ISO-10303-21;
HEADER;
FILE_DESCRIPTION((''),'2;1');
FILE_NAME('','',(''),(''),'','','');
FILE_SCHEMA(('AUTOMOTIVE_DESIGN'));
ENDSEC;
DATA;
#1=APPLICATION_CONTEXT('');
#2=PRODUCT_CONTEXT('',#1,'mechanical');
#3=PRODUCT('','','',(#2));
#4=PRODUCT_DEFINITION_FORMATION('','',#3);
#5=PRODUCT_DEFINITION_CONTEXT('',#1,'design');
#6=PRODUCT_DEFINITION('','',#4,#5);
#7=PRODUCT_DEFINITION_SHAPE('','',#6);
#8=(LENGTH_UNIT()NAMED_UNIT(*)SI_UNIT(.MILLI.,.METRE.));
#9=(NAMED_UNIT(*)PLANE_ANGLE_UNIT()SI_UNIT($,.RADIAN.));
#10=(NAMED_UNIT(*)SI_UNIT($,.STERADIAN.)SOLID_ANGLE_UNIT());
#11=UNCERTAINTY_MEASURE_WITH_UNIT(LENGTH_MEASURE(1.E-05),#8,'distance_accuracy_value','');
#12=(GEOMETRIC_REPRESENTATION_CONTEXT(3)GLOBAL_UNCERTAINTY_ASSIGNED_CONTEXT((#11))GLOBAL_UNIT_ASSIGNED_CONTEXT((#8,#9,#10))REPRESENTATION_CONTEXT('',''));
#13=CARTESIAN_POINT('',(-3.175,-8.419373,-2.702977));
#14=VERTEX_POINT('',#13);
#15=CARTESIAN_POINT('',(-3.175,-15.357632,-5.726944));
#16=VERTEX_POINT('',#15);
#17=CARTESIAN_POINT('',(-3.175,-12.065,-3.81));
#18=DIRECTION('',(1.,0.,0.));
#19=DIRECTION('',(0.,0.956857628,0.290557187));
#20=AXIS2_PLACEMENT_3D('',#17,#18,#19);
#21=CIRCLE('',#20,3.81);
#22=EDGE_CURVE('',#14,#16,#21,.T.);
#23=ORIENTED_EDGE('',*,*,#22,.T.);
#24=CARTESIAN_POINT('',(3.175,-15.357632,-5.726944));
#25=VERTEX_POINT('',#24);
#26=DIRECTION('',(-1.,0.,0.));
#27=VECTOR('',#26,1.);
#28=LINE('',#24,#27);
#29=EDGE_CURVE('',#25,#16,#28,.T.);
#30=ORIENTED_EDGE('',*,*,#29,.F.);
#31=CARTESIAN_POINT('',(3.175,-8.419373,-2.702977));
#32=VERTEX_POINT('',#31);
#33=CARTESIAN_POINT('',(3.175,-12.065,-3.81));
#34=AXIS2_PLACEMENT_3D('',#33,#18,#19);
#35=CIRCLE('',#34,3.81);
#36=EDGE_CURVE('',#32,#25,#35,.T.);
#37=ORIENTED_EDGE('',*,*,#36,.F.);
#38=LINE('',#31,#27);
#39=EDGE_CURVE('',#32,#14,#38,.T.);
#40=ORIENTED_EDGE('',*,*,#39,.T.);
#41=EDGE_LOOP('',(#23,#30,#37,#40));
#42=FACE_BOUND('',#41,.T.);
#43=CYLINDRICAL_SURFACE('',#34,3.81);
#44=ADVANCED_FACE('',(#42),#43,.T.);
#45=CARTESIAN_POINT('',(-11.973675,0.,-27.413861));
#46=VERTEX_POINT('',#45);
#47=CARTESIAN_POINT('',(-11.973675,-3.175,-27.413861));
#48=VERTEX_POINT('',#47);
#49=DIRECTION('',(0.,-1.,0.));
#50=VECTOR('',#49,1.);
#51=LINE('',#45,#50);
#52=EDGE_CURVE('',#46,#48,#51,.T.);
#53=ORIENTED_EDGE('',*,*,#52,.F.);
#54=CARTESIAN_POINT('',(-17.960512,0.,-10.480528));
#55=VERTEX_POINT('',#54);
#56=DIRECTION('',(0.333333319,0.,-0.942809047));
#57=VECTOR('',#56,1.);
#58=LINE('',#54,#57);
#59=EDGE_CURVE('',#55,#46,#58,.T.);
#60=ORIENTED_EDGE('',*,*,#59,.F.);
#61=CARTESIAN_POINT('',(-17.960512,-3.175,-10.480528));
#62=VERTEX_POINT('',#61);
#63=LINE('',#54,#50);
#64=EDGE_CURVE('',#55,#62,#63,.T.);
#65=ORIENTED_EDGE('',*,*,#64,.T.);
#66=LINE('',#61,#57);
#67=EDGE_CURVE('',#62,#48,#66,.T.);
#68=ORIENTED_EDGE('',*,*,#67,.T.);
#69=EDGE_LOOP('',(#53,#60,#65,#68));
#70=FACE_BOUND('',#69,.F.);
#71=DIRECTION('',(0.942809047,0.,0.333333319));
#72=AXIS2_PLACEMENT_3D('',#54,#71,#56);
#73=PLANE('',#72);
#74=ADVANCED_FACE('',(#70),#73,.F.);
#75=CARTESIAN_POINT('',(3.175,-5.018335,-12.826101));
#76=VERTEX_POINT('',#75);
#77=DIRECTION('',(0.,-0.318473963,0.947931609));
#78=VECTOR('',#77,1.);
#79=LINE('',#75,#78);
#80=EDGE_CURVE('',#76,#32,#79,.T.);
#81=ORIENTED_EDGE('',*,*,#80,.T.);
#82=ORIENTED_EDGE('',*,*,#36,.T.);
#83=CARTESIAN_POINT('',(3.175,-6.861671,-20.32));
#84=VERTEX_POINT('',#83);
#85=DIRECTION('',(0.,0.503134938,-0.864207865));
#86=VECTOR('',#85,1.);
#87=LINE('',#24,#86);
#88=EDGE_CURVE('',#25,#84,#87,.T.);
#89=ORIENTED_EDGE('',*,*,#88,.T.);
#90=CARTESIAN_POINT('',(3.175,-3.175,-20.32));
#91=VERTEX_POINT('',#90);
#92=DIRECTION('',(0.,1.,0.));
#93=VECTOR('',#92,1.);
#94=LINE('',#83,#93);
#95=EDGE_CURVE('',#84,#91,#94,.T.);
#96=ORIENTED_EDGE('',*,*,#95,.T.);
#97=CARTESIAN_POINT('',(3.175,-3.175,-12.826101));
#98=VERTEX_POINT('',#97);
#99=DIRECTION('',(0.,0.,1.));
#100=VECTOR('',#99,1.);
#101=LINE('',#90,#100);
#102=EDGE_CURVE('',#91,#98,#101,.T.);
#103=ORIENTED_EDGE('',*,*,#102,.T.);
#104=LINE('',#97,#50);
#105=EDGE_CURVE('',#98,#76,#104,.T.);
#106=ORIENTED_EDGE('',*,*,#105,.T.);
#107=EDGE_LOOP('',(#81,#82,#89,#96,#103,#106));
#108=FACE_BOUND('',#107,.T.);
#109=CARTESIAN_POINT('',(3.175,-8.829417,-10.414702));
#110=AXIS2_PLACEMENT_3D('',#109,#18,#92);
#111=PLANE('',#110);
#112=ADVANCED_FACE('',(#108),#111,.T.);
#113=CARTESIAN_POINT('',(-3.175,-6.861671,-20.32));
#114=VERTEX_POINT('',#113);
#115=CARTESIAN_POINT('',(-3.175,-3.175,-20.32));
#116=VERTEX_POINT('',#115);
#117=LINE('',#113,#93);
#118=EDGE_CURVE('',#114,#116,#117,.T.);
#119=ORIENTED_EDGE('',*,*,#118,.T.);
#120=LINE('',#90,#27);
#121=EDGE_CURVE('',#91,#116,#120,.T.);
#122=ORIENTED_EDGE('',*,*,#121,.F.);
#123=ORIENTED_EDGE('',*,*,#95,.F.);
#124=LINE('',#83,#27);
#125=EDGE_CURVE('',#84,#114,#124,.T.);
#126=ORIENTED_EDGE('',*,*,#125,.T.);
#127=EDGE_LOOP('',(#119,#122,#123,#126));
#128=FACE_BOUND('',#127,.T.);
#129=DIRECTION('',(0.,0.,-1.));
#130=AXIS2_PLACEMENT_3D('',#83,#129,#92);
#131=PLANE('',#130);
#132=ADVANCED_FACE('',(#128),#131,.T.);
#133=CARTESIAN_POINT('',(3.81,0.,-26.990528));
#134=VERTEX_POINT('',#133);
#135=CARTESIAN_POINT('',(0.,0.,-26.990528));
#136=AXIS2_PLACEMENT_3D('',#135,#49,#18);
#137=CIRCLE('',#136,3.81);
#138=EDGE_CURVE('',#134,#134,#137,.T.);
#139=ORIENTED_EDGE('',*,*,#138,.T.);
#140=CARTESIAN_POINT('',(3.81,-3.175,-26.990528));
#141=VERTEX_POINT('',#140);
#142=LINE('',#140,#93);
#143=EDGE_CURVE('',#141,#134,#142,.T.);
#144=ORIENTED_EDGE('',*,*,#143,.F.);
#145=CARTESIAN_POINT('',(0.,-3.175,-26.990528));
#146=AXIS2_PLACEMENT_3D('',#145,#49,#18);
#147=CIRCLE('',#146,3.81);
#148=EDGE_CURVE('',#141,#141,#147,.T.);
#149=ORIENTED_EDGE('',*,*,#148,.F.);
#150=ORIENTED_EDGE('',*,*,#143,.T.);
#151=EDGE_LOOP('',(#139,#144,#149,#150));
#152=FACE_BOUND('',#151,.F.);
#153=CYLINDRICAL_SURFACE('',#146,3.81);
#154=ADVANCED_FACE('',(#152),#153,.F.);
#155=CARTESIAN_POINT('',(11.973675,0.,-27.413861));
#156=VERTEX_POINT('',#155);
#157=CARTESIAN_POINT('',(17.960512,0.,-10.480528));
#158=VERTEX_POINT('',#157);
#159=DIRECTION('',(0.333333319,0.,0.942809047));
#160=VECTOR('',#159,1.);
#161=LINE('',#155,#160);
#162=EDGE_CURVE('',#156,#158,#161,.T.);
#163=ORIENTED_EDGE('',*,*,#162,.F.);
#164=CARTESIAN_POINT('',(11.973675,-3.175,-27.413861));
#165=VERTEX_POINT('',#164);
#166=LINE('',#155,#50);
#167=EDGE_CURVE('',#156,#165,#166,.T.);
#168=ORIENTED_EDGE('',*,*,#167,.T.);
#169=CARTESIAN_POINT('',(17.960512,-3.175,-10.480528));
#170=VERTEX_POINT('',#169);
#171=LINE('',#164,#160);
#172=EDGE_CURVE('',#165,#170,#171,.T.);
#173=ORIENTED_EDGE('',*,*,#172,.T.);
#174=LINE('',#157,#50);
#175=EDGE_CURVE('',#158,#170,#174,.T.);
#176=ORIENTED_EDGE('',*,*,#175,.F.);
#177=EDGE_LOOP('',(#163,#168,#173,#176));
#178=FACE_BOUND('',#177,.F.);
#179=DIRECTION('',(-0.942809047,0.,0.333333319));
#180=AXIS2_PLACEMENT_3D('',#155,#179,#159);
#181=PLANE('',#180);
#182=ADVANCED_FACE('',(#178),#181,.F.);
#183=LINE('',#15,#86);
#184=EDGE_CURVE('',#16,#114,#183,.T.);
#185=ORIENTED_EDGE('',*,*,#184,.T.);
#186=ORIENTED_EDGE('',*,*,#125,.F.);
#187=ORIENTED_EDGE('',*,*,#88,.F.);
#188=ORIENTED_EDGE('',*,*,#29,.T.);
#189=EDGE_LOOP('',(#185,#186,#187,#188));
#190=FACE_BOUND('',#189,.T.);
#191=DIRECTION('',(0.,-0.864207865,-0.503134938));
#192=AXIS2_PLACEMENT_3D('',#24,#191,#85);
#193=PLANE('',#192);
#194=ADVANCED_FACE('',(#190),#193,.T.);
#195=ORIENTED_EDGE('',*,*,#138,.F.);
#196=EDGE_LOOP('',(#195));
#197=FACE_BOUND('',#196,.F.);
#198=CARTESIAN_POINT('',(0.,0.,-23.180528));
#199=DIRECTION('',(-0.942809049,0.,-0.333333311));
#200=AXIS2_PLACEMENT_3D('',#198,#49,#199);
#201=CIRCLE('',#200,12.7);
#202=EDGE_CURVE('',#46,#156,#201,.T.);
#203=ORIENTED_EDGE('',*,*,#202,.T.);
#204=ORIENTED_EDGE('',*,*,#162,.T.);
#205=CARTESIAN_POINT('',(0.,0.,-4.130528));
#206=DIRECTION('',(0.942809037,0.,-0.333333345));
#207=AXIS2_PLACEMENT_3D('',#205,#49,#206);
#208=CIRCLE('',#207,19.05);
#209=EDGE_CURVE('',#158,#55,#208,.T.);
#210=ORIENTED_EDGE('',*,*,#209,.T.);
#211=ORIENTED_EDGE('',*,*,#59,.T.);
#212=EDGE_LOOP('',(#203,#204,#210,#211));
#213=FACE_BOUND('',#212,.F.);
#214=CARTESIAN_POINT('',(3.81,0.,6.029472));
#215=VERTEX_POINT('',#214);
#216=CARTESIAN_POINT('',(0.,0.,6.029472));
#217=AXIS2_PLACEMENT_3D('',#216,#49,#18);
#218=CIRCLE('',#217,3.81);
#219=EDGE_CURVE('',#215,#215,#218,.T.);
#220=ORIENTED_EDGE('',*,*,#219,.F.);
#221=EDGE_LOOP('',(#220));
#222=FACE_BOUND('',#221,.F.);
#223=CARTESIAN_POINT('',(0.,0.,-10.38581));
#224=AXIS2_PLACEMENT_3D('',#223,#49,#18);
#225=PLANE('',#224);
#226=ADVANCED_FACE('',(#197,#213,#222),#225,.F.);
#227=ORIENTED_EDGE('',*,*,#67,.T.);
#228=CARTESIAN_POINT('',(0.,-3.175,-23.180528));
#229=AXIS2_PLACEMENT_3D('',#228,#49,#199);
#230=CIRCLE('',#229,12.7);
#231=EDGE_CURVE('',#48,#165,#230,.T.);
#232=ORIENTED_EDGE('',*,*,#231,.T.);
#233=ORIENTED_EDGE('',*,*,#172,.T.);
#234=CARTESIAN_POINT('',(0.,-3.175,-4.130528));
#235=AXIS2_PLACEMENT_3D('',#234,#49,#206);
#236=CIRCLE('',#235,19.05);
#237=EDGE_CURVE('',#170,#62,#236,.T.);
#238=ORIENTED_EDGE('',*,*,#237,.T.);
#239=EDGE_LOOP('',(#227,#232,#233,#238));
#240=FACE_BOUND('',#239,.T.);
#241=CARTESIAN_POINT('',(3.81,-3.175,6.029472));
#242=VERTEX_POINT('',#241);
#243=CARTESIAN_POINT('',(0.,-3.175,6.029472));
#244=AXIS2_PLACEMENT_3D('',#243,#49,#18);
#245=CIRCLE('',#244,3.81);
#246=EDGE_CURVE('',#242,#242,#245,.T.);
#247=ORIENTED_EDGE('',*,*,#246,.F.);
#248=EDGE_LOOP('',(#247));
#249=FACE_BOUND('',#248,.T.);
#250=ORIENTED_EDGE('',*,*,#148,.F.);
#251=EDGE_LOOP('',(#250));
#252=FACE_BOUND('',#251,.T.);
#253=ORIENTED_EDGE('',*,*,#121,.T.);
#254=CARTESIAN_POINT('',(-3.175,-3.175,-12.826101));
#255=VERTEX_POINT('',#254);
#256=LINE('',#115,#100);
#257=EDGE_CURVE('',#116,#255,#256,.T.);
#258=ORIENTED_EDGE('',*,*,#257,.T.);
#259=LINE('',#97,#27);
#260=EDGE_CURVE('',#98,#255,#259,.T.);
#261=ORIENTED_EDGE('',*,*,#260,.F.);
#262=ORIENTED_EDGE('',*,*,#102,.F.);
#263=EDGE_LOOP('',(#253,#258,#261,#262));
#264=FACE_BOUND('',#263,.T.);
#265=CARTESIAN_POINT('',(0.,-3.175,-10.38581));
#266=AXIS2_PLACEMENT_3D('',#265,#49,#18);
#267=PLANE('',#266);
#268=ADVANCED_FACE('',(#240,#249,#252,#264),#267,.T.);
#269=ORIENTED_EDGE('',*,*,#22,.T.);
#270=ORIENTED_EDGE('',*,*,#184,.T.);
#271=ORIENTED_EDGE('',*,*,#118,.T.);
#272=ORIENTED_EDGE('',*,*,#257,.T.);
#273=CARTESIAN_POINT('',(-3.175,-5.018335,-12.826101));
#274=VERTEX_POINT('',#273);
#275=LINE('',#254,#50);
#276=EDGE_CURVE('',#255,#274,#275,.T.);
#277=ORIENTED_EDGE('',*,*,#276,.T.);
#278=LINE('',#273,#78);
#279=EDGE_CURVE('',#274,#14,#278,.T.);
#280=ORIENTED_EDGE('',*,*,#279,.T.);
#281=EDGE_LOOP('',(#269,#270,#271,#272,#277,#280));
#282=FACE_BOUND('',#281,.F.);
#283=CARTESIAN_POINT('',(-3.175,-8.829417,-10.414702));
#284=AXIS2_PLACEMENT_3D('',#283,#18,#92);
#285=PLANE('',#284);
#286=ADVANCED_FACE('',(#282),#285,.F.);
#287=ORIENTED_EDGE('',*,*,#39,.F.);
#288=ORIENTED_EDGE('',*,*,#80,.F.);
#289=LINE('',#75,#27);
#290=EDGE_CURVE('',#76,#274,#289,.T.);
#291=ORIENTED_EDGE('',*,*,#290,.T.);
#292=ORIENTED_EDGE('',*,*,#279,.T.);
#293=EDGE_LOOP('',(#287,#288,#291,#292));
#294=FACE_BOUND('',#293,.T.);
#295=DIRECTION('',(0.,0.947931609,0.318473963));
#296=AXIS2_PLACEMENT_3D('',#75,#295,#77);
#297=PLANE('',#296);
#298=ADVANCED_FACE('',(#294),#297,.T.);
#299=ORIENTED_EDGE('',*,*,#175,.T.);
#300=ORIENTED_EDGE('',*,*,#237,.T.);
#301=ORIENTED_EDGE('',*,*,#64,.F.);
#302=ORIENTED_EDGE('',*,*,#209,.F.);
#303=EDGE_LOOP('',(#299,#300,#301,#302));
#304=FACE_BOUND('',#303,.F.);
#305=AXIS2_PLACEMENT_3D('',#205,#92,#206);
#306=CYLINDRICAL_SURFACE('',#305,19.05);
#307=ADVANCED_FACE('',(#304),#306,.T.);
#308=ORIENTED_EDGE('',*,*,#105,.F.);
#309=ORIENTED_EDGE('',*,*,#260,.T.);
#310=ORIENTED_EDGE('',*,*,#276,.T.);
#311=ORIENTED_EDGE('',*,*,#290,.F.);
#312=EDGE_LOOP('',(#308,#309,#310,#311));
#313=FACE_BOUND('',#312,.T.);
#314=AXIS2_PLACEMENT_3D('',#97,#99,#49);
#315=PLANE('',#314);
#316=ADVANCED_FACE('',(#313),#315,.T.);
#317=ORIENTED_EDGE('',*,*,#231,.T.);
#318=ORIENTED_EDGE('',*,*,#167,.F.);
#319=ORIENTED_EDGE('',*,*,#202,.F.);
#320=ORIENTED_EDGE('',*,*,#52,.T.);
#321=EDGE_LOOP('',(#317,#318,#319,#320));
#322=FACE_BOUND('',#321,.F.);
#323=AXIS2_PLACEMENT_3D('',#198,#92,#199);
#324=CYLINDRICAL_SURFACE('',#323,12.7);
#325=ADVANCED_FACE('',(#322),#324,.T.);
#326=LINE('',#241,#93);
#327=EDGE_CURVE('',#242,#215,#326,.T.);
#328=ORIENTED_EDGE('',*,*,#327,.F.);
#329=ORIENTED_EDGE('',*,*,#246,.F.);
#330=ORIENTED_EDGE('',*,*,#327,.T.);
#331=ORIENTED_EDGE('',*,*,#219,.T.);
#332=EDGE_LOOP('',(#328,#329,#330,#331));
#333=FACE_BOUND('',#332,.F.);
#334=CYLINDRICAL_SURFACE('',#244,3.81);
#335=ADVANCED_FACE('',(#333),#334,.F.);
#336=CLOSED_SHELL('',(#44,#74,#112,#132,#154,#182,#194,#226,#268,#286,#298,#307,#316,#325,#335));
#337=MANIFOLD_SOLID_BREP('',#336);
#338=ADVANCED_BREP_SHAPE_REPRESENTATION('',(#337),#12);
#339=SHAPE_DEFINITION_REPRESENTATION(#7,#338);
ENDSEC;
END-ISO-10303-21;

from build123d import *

# Parameters (mm, degrees)
F1_DEPTH = 3.175
F2_R     = 3.81
F3_DEPTH = 25.4
F6_DEPTH = 6.35


with BuildPart() as f1:
    # F0 (on Front) → F1 (new body)
    with BuildSketch(Plane.XZ):
        with BuildLine():
            Line((-17.960512, -10.480528), (-11.973675, -27.413861))
            ThreePointArc((-11.973675, -27.413861), (0, -35.880528), (11.973675, -27.413861))
            Line((11.973675, -27.413861), (17.960512, -10.480528))
            ThreePointArc((17.960512, -10.480528), (0, 14.919472), (-17.960512, -10.480528))
        make_face()
    extrude(amount=F1_DEPTH)

    # F2 (on face) → F3 (cut)
    with BuildSketch(Plane.XZ.offset(3.175)):
        with Locations((0, 6.029472)):
            Circle(F2_R)
        with Locations((0, -26.990528)):
            Circle(F2_R)
    extrude(amount=-F3_DEPTH, mode=Mode.SUBTRACT)

    # F5 (on offset) → F6 (join)
    with BuildSketch(Plane.YZ.offset(3.175)):
        with BuildLine():
            Line((-15.357632, -5.726944), (-6.861671, -20.32))
            Line((-6.861671, -20.32), (-3.175, -20.32))
            Line((-3.175, -20.32), (-3.175, -12.826101))
            Line((-3.175, -12.826101), (-5.018335, -12.826101))
            Line((-5.018335, -12.826101), (-8.419373, -2.702977))
            ThreePointArc((-8.419373, -2.702977), (-13.58725, -0.317314), (-15.357632, -5.726944))
        make_face()
    extrude(amount=-F6_DEPTH)


solid = f1.part
